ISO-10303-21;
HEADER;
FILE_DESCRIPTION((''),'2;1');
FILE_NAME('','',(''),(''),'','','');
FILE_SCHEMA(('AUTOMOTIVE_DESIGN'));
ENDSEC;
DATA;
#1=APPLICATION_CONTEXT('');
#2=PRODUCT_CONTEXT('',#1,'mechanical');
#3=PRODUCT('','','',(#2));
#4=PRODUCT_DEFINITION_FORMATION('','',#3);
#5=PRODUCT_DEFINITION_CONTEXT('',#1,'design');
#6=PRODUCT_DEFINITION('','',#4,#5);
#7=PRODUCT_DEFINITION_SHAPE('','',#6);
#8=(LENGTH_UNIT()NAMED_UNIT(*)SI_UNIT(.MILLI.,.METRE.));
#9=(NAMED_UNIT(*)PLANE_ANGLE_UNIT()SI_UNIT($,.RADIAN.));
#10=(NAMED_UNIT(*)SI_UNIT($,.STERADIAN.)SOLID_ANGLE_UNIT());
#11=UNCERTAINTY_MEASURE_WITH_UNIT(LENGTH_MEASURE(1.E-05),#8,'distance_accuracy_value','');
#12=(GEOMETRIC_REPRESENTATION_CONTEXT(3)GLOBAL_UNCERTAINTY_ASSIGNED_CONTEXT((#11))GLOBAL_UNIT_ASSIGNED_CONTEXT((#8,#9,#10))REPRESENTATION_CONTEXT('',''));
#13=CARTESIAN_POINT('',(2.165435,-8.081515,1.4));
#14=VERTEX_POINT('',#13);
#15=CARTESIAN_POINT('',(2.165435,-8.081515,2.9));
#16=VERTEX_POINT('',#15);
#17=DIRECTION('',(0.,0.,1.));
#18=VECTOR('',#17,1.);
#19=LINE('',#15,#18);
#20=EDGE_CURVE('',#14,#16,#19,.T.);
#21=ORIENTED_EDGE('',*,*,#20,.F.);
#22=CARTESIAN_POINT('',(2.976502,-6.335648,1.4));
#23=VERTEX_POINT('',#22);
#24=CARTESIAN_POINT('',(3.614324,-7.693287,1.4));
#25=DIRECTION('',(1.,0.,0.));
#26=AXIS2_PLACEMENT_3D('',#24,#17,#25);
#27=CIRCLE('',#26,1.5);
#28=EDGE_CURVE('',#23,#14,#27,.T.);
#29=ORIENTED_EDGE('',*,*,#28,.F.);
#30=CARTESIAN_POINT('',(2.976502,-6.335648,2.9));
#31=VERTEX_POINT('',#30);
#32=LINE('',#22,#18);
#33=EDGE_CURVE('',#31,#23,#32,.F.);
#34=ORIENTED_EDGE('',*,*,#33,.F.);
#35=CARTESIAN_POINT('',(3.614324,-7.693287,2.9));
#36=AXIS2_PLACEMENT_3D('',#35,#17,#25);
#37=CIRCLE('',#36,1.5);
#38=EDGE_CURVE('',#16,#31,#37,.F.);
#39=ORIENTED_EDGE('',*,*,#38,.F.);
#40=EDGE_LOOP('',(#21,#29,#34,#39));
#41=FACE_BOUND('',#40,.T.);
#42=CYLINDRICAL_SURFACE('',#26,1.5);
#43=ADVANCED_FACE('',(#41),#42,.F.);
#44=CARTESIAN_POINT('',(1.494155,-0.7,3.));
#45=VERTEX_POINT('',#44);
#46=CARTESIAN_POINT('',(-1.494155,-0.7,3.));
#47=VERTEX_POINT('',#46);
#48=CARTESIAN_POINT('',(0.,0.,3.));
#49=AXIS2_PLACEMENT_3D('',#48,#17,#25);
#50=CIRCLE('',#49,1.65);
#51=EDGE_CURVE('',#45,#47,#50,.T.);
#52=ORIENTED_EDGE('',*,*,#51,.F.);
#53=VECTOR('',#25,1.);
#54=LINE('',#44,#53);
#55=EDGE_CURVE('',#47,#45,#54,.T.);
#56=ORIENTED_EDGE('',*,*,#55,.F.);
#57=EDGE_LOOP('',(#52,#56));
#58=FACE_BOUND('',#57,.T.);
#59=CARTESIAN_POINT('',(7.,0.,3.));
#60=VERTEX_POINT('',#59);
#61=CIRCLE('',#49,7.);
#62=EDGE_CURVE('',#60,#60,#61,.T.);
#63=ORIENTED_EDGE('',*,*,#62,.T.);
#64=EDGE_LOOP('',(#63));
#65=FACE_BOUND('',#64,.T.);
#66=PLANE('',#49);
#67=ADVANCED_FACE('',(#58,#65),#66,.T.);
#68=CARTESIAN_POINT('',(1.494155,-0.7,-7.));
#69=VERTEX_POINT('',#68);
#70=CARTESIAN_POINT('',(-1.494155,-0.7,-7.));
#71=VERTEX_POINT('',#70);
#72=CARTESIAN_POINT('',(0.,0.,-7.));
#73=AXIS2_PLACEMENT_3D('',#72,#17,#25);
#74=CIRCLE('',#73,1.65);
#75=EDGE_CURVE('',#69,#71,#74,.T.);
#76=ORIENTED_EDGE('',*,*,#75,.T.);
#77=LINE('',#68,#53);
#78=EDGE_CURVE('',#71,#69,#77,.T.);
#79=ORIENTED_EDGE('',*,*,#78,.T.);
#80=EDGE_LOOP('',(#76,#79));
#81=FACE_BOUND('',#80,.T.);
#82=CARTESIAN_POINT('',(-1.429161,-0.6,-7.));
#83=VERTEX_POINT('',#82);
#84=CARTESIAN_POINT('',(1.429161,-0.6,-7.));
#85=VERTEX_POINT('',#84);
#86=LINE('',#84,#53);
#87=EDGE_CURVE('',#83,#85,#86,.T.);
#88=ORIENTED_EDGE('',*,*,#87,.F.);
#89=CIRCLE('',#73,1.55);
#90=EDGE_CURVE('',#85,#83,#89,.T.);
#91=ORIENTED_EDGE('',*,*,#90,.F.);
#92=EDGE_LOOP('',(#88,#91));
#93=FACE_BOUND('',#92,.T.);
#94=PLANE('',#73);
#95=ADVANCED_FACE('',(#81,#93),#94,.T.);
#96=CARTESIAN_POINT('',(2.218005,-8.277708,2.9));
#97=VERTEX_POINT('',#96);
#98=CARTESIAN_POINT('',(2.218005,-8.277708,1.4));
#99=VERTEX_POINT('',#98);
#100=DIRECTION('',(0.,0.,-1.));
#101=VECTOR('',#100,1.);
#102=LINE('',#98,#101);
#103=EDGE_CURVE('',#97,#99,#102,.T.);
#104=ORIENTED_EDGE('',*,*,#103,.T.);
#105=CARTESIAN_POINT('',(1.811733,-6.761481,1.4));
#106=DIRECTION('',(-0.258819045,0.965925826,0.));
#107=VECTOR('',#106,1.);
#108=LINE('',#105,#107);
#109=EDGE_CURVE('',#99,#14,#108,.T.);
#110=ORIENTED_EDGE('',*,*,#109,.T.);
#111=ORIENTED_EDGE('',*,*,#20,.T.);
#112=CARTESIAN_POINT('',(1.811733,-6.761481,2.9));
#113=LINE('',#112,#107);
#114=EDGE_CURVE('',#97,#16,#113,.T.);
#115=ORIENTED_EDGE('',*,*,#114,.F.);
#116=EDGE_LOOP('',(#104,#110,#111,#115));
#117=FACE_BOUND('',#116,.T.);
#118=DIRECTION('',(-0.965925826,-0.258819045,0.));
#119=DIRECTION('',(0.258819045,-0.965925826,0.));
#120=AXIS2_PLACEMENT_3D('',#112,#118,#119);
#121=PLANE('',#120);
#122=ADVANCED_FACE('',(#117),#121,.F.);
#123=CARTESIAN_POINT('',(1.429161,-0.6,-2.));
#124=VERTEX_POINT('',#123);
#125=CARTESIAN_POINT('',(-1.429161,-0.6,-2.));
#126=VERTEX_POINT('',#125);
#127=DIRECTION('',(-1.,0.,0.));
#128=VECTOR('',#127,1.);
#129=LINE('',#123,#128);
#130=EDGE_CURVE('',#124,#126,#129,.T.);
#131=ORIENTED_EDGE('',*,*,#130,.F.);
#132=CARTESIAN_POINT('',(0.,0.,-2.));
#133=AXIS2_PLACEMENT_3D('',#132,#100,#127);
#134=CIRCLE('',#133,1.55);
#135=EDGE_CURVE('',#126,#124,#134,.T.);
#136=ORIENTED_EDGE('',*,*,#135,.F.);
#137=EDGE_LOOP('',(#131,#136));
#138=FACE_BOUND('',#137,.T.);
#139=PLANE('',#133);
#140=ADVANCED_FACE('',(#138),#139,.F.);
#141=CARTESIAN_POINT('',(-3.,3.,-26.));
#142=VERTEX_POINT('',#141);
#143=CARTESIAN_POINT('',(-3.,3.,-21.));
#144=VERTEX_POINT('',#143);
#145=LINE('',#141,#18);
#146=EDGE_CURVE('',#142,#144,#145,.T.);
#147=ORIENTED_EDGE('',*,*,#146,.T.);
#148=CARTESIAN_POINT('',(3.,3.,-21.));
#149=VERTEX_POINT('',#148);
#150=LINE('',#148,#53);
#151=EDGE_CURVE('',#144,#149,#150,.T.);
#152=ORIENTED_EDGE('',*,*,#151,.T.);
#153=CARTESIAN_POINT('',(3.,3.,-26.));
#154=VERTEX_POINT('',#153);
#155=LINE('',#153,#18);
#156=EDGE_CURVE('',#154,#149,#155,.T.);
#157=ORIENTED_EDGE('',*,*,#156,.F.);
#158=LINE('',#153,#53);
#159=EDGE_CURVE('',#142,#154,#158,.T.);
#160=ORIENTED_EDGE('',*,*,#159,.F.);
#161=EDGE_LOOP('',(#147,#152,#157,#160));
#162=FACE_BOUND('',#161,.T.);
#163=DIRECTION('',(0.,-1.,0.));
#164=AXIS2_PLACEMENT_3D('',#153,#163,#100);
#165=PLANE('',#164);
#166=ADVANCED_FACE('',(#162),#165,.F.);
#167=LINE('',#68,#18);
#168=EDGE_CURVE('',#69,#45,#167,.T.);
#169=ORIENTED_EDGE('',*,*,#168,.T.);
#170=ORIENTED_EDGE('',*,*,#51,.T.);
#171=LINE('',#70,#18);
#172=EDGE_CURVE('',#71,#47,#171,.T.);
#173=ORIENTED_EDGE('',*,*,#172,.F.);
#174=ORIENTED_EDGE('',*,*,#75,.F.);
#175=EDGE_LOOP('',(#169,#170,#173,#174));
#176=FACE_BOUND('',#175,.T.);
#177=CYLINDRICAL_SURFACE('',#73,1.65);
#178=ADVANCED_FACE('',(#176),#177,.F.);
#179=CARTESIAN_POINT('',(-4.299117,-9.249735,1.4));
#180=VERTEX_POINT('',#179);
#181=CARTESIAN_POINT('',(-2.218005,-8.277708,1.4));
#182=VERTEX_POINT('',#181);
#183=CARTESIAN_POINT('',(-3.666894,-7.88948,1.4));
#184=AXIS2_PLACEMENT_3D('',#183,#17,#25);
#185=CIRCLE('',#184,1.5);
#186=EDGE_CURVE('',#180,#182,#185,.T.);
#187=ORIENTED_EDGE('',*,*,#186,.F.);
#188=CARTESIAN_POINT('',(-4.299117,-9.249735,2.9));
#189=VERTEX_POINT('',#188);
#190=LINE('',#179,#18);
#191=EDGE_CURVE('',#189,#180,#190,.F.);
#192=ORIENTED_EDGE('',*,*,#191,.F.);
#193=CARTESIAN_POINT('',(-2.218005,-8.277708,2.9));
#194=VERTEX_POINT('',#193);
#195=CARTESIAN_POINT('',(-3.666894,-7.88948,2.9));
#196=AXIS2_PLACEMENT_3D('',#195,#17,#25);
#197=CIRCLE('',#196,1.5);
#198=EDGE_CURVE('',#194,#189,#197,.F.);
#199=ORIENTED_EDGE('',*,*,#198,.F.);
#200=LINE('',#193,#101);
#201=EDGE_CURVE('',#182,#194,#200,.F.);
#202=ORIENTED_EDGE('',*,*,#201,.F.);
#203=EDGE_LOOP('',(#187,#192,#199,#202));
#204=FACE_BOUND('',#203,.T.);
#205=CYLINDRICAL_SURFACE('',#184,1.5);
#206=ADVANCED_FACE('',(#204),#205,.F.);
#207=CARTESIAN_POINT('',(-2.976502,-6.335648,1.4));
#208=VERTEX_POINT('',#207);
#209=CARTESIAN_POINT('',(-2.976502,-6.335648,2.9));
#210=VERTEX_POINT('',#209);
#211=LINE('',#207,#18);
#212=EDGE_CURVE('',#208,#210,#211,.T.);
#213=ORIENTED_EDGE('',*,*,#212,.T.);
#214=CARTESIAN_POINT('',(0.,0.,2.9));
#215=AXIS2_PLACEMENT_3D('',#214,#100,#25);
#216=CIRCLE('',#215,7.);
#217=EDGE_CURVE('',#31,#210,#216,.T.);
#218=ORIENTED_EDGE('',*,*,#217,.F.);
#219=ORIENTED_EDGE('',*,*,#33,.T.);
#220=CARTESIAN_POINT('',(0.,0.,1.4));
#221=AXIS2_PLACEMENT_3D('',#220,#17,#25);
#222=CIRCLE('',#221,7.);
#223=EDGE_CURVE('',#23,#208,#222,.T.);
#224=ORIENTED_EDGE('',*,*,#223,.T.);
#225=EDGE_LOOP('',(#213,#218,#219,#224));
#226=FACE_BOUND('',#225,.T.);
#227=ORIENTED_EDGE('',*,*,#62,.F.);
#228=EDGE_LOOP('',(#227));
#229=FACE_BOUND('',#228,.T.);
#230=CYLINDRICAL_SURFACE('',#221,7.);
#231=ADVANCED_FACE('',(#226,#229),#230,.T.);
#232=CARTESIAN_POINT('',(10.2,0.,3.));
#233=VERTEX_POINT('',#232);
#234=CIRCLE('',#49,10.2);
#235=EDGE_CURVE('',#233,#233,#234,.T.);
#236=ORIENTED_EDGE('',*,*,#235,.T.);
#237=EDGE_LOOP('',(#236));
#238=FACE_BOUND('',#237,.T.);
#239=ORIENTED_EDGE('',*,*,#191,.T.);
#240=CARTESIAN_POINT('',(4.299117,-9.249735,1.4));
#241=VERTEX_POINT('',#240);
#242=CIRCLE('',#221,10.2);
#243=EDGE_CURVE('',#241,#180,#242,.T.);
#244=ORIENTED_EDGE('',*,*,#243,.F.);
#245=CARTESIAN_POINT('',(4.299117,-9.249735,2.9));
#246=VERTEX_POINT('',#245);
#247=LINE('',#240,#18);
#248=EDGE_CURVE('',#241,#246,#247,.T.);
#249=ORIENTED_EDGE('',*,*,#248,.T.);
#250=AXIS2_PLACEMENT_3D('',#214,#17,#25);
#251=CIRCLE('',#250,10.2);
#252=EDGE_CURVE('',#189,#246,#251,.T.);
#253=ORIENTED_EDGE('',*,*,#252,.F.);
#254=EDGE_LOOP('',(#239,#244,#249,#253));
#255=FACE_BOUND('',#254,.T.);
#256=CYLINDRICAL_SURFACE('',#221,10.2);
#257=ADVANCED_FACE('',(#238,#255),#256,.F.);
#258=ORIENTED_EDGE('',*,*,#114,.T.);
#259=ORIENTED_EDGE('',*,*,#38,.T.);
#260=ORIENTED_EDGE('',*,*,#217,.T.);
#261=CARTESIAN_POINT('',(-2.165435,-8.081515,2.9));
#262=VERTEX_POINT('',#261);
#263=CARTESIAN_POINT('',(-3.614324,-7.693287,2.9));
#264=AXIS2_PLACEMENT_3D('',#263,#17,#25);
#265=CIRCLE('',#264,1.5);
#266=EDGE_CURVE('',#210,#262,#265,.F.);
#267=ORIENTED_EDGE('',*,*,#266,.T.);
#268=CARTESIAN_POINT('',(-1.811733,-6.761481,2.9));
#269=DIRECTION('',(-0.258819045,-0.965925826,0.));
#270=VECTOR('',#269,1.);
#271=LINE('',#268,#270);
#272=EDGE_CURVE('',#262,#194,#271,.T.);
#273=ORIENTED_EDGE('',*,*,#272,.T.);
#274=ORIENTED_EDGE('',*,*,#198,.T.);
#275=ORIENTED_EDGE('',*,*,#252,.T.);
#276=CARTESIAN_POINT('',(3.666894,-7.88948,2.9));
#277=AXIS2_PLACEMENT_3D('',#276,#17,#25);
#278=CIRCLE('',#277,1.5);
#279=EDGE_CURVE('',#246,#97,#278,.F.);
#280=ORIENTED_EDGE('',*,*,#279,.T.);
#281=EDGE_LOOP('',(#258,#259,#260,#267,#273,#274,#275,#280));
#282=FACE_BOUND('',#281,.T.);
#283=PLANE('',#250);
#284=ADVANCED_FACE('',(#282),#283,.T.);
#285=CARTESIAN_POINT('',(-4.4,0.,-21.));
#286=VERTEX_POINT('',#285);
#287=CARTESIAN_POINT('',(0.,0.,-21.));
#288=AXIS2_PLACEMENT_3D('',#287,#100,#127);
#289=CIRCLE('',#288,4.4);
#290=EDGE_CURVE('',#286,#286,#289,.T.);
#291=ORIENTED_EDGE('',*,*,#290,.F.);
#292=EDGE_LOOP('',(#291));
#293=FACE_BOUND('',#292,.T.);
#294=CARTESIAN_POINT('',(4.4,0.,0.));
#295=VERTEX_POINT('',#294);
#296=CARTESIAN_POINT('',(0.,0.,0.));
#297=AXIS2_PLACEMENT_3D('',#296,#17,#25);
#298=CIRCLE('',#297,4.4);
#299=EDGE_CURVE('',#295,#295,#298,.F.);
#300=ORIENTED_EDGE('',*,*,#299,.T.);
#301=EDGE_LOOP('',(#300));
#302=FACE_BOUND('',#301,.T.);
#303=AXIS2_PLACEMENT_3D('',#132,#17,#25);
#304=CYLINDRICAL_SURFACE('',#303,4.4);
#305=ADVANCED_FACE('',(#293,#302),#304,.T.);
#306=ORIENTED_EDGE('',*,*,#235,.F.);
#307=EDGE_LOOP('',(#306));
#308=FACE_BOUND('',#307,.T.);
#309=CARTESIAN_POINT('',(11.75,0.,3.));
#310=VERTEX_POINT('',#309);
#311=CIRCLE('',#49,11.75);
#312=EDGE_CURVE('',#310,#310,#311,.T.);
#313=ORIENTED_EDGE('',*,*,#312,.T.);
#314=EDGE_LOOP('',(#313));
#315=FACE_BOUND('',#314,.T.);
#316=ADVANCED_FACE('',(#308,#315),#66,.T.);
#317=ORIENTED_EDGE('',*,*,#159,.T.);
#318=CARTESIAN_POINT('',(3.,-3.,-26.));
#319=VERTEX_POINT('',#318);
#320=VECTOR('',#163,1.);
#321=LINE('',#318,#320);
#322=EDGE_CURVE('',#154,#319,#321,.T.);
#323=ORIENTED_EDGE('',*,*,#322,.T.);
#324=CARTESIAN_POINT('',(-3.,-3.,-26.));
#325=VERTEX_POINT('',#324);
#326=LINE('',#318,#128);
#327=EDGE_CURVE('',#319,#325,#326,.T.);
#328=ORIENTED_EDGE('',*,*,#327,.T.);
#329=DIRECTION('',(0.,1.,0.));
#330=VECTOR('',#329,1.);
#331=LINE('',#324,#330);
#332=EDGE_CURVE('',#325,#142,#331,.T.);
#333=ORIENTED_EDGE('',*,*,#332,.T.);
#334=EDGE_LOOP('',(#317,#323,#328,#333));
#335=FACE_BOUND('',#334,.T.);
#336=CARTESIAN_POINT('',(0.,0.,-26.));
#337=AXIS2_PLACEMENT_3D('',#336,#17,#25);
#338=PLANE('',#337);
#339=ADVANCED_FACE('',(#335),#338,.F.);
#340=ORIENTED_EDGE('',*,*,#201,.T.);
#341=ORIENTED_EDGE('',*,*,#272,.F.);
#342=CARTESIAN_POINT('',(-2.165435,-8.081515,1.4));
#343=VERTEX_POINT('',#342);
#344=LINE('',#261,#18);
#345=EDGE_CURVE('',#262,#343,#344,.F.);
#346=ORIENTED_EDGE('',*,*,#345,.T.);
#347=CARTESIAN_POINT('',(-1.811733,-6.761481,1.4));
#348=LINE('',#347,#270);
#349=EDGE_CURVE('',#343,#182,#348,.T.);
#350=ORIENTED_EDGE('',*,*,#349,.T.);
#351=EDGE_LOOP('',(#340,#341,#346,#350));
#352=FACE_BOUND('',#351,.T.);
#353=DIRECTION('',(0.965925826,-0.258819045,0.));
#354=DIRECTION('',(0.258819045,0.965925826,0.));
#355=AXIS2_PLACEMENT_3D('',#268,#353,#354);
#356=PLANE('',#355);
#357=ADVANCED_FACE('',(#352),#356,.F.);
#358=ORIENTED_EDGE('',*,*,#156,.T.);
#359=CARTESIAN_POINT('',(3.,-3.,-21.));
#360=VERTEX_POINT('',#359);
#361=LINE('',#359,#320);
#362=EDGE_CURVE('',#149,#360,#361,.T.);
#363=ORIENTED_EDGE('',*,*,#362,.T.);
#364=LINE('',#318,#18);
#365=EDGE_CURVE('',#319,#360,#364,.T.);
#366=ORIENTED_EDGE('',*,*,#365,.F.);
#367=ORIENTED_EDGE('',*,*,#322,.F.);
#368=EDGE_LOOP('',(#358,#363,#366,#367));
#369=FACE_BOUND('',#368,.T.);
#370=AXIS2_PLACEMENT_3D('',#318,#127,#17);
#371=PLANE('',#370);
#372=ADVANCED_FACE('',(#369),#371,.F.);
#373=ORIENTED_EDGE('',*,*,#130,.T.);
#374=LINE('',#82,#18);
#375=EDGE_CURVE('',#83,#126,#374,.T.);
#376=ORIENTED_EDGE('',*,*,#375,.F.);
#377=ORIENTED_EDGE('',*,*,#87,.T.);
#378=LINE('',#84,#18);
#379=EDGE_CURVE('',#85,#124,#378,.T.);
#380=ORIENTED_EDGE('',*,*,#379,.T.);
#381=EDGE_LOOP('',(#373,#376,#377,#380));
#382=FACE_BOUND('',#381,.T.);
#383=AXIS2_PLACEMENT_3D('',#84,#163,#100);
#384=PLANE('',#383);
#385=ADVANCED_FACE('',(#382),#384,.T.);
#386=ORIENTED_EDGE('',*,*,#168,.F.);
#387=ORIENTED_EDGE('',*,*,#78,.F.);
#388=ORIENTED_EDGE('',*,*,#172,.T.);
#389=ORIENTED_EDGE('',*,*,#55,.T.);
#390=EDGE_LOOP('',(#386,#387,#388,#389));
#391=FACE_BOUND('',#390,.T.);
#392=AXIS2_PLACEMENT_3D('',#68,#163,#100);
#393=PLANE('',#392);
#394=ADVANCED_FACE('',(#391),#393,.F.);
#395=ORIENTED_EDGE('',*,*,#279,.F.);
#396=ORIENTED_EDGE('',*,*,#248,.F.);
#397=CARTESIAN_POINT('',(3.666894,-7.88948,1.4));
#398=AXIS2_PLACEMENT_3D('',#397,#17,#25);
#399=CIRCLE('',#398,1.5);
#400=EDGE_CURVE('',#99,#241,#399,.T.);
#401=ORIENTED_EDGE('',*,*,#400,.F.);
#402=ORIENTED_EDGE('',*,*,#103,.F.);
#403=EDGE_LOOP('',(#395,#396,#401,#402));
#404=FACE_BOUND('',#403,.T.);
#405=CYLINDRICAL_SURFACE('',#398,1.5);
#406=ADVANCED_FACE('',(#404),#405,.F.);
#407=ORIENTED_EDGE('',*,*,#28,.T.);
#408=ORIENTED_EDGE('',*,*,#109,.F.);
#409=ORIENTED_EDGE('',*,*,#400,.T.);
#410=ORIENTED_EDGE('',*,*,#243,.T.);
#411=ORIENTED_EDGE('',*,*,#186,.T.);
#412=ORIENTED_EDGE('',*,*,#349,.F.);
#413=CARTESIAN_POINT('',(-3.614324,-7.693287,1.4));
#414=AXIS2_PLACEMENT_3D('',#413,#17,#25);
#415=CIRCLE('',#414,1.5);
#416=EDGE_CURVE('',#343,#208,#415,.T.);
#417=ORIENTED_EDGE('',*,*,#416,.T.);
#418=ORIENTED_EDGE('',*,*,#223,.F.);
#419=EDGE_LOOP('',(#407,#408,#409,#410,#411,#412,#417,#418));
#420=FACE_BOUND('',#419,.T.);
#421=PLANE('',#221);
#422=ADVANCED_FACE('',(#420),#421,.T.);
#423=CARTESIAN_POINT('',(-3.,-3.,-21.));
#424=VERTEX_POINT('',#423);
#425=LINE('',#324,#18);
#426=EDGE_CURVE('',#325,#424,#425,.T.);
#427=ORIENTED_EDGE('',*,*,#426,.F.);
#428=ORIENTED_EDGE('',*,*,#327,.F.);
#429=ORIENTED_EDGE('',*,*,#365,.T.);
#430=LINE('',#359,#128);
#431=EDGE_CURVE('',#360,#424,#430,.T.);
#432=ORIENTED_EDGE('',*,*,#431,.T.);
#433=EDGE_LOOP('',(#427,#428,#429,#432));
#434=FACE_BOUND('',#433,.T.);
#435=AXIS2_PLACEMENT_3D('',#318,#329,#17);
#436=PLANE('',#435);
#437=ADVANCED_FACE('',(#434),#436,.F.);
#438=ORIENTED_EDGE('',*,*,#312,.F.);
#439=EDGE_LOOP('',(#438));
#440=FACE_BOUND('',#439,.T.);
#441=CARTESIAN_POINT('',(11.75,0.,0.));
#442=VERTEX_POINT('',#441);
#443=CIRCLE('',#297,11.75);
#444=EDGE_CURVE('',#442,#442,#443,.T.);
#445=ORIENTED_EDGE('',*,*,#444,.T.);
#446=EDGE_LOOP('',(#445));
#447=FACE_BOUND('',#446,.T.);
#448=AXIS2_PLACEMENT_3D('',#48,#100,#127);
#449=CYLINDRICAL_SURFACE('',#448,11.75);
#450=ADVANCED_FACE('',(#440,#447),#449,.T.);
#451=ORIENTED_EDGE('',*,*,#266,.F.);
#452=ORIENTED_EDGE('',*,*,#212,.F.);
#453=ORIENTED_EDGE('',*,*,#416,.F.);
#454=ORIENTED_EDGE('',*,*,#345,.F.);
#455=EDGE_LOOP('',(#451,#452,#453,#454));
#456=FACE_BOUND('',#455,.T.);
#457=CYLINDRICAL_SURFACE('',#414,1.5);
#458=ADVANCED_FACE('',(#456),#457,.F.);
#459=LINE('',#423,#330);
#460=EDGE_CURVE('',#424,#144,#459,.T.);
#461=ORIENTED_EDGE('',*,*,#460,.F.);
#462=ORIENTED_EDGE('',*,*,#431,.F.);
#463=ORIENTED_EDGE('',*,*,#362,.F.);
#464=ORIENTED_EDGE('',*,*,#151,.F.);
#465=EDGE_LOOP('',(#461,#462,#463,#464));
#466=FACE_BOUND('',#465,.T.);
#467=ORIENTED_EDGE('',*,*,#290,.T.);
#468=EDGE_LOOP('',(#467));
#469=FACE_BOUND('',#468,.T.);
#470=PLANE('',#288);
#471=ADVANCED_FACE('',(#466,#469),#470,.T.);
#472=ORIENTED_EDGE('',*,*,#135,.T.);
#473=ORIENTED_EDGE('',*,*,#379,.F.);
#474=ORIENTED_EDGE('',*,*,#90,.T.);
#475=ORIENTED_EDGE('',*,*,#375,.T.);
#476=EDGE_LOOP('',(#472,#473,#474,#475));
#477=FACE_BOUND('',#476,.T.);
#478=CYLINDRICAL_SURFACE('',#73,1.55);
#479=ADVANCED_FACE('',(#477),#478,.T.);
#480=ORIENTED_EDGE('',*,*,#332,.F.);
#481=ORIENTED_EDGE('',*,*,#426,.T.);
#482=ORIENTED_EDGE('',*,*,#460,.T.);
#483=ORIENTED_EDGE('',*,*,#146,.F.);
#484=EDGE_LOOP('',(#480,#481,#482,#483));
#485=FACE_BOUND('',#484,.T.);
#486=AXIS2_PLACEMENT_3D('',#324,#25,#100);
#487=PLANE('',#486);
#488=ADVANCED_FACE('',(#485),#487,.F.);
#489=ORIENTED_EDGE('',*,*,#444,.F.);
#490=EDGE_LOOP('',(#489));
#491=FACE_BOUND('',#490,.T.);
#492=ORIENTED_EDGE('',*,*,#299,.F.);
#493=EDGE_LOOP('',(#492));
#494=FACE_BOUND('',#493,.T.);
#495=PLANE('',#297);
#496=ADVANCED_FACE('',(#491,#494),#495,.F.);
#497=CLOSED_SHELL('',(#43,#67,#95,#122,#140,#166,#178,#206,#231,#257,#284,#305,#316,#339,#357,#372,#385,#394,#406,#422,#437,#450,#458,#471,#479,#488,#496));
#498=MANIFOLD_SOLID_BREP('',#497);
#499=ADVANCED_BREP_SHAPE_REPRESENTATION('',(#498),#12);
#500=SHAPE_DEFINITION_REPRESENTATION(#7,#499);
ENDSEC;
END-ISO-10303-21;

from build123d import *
from build123d.topology import SkipClean

# Parameters (mm, degrees)
SKETCH_1_R          = 11.75
EXTRUDE_1_DEPTH     = 3
CUT_EXTRUDE_1_DEPTH = 13
SKETCH_3_R          = 10.2
SKETCH_3_R_2        = 7
CUT_EXTRUDE_2_DEPTH = 1.6
EXTRUDE_START       = 1.5
EXTRUDE_2_DEPTH     = 1.5
FILLET_1_R          = 1.5
EXTRUDE_START_2     = 2
SKETCH_7_R          = 4.4
EXTRUDE_4_DEPTH     = 2
EXTRUDE_START_3     = 19
SKETCH_9_R          = 4.4
EXTRUDE_5_DEPTH     = 19
SKETCH_10_W         = 6
SKETCH_10_H         = 6
EXTRUDE_6_DEPTH     = 5
CUT_EXTRUDE_START   = -10
CUT_EXTRUDE_4_DEPTH = 10


with BuildPart() as part:
    # 草图1 → 凸台-拉伸1 (new body)
    with BuildSketch(Plane.XY):
        Circle(SKETCH_1_R)
    extrude(amount=EXTRUDE_1_DEPTH)

    # 草图2 → 切除-拉伸1 (cut)
    with BuildSketch(Plane(origin=(0, 0, 0), x_dir=(-1, 0, 0), z_dir=(0, 0, -1))):
        with BuildLine():
            Line((1.429160593, -0.6), (-1.429160593, -0.6))
            ThreePointArc((-1.429160593, -0.6), (0, 1.55), (1.429160593, -0.6))
        make_face()
    extrude(amount=-CUT_EXTRUDE_1_DEPTH, mode=Mode.SUBTRACT)

    # 草图3 → 切除-拉伸2 (cut)
    with BuildSketch(Plane.XY.offset(3)):
        Circle(SKETCH_3_R)
        Circle(SKETCH_3_R_2, mode=Mode.SUBTRACT)
    extrude(amount=-CUT_EXTRUDE_2_DEPTH, mode=Mode.SUBTRACT)

    # 草图4 → 凸台-拉伸2 (add)
    with BuildSketch(Plane.XY.offset(1.4).offset(EXTRUDE_START)):
        with BuildLine():
            Line((1.811733316, -6.761480784), (2.63995426, -9.852443428))
            ThreePointArc((2.63995426, -9.852443428), (0, -10.2), (-2.63995426, -9.852443428))
            Line((-2.63995426, -9.852443428), (-1.811733316, -6.761480784))
            ThreePointArc((-1.811733316, -6.761480784), (0, -7), (1.811733316, -6.761480784))
        make_face()
    extrude(amount=-EXTRUDE_2_DEPTH)

    # 圆角1
    fillet_1_edges = [part.edges().sort_by_distance(p)[0] for p in [
        (1.811733316, -6.761480784, 2.15),
        (-1.811733316, -6.761480784, 2.15),
        (-2.63995426, -9.852443428, 2.15),
        (2.63995426, -9.852443428, 2.15),
    ]]
    fillet(fillet_1_edges, radius=FILLET_1_R)

    # 草图7 → 凸台-拉伸4 (add)
    with SkipClean():  # the faces are left unmerged after this step: merging them gives an invalid solid
        with BuildSketch(Plane(origin=(0, 0, 0), x_dir=(-1, 0, 0), z_dir=(0, 0, -1)).offset(EXTRUDE_START_2)):
            with Locations(Location((0, 0, 0), (0, 0, 180))):
                Circle(SKETCH_7_R)
            with BuildLine():
                Line((-1.429160593, -0.6), (1.429160593, -0.6))
                ThreePointArc((1.429160593, -0.6), (0, 1.55), (-1.429160593, -0.6))
            make_face(mode=Mode.SUBTRACT)
        extrude(amount=-EXTRUDE_4_DEPTH)

    # 草图9 → 凸台-拉伸5 (add)
    with SkipClean():  # the faces are left unmerged after this step: merging them gives an invalid solid
        with BuildSketch(Plane(origin=(0, 0, -2), x_dir=(-1, 0, 0), z_dir=(0, 0, -1)).offset(EXTRUDE_START_3)):
            with Locations(Location((0, 0, 0), (0, 0, 180))):
                Circle(SKETCH_9_R)
        extrude(amount=-EXTRUDE_5_DEPTH)

    # 草图10 → 凸台-拉伸6 (add)
    with SkipClean():  # the faces are left unmerged after this step: merging them gives an invalid solid
        with BuildSketch(Plane(origin=(0, 0, -21), x_dir=(-1, 0, 0), z_dir=(0, 0, -1))):
            Rectangle(SKETCH_10_W, SKETCH_10_H)
        extrude(amount=EXTRUDE_6_DEPTH)

    # 草图11 → 切除-拉伸4 (cut)
    with BuildSketch(Plane.XY.offset(3).offset(CUT_EXTRUDE_START)):
        with BuildLine():
            Line((1.49415528, -0.7), (-1.49415528, -0.7))
            ThreePointArc((-1.49415528, -0.7), (0, 1.65), (1.49415528, -0.7))
        make_face()
        with BuildLine():
            Line((1.429160593, -0.6), (-1.429160593, -0.6))
            ThreePointArc((-1.429160593, -0.6), (0, 1.55), (1.429160593, -0.6))
        make_face(mode=Mode.SUBTRACT)
    extrude(amount=CUT_EXTRUDE_4_DEPTH, mode=Mode.SUBTRACT)


solid = part.part
